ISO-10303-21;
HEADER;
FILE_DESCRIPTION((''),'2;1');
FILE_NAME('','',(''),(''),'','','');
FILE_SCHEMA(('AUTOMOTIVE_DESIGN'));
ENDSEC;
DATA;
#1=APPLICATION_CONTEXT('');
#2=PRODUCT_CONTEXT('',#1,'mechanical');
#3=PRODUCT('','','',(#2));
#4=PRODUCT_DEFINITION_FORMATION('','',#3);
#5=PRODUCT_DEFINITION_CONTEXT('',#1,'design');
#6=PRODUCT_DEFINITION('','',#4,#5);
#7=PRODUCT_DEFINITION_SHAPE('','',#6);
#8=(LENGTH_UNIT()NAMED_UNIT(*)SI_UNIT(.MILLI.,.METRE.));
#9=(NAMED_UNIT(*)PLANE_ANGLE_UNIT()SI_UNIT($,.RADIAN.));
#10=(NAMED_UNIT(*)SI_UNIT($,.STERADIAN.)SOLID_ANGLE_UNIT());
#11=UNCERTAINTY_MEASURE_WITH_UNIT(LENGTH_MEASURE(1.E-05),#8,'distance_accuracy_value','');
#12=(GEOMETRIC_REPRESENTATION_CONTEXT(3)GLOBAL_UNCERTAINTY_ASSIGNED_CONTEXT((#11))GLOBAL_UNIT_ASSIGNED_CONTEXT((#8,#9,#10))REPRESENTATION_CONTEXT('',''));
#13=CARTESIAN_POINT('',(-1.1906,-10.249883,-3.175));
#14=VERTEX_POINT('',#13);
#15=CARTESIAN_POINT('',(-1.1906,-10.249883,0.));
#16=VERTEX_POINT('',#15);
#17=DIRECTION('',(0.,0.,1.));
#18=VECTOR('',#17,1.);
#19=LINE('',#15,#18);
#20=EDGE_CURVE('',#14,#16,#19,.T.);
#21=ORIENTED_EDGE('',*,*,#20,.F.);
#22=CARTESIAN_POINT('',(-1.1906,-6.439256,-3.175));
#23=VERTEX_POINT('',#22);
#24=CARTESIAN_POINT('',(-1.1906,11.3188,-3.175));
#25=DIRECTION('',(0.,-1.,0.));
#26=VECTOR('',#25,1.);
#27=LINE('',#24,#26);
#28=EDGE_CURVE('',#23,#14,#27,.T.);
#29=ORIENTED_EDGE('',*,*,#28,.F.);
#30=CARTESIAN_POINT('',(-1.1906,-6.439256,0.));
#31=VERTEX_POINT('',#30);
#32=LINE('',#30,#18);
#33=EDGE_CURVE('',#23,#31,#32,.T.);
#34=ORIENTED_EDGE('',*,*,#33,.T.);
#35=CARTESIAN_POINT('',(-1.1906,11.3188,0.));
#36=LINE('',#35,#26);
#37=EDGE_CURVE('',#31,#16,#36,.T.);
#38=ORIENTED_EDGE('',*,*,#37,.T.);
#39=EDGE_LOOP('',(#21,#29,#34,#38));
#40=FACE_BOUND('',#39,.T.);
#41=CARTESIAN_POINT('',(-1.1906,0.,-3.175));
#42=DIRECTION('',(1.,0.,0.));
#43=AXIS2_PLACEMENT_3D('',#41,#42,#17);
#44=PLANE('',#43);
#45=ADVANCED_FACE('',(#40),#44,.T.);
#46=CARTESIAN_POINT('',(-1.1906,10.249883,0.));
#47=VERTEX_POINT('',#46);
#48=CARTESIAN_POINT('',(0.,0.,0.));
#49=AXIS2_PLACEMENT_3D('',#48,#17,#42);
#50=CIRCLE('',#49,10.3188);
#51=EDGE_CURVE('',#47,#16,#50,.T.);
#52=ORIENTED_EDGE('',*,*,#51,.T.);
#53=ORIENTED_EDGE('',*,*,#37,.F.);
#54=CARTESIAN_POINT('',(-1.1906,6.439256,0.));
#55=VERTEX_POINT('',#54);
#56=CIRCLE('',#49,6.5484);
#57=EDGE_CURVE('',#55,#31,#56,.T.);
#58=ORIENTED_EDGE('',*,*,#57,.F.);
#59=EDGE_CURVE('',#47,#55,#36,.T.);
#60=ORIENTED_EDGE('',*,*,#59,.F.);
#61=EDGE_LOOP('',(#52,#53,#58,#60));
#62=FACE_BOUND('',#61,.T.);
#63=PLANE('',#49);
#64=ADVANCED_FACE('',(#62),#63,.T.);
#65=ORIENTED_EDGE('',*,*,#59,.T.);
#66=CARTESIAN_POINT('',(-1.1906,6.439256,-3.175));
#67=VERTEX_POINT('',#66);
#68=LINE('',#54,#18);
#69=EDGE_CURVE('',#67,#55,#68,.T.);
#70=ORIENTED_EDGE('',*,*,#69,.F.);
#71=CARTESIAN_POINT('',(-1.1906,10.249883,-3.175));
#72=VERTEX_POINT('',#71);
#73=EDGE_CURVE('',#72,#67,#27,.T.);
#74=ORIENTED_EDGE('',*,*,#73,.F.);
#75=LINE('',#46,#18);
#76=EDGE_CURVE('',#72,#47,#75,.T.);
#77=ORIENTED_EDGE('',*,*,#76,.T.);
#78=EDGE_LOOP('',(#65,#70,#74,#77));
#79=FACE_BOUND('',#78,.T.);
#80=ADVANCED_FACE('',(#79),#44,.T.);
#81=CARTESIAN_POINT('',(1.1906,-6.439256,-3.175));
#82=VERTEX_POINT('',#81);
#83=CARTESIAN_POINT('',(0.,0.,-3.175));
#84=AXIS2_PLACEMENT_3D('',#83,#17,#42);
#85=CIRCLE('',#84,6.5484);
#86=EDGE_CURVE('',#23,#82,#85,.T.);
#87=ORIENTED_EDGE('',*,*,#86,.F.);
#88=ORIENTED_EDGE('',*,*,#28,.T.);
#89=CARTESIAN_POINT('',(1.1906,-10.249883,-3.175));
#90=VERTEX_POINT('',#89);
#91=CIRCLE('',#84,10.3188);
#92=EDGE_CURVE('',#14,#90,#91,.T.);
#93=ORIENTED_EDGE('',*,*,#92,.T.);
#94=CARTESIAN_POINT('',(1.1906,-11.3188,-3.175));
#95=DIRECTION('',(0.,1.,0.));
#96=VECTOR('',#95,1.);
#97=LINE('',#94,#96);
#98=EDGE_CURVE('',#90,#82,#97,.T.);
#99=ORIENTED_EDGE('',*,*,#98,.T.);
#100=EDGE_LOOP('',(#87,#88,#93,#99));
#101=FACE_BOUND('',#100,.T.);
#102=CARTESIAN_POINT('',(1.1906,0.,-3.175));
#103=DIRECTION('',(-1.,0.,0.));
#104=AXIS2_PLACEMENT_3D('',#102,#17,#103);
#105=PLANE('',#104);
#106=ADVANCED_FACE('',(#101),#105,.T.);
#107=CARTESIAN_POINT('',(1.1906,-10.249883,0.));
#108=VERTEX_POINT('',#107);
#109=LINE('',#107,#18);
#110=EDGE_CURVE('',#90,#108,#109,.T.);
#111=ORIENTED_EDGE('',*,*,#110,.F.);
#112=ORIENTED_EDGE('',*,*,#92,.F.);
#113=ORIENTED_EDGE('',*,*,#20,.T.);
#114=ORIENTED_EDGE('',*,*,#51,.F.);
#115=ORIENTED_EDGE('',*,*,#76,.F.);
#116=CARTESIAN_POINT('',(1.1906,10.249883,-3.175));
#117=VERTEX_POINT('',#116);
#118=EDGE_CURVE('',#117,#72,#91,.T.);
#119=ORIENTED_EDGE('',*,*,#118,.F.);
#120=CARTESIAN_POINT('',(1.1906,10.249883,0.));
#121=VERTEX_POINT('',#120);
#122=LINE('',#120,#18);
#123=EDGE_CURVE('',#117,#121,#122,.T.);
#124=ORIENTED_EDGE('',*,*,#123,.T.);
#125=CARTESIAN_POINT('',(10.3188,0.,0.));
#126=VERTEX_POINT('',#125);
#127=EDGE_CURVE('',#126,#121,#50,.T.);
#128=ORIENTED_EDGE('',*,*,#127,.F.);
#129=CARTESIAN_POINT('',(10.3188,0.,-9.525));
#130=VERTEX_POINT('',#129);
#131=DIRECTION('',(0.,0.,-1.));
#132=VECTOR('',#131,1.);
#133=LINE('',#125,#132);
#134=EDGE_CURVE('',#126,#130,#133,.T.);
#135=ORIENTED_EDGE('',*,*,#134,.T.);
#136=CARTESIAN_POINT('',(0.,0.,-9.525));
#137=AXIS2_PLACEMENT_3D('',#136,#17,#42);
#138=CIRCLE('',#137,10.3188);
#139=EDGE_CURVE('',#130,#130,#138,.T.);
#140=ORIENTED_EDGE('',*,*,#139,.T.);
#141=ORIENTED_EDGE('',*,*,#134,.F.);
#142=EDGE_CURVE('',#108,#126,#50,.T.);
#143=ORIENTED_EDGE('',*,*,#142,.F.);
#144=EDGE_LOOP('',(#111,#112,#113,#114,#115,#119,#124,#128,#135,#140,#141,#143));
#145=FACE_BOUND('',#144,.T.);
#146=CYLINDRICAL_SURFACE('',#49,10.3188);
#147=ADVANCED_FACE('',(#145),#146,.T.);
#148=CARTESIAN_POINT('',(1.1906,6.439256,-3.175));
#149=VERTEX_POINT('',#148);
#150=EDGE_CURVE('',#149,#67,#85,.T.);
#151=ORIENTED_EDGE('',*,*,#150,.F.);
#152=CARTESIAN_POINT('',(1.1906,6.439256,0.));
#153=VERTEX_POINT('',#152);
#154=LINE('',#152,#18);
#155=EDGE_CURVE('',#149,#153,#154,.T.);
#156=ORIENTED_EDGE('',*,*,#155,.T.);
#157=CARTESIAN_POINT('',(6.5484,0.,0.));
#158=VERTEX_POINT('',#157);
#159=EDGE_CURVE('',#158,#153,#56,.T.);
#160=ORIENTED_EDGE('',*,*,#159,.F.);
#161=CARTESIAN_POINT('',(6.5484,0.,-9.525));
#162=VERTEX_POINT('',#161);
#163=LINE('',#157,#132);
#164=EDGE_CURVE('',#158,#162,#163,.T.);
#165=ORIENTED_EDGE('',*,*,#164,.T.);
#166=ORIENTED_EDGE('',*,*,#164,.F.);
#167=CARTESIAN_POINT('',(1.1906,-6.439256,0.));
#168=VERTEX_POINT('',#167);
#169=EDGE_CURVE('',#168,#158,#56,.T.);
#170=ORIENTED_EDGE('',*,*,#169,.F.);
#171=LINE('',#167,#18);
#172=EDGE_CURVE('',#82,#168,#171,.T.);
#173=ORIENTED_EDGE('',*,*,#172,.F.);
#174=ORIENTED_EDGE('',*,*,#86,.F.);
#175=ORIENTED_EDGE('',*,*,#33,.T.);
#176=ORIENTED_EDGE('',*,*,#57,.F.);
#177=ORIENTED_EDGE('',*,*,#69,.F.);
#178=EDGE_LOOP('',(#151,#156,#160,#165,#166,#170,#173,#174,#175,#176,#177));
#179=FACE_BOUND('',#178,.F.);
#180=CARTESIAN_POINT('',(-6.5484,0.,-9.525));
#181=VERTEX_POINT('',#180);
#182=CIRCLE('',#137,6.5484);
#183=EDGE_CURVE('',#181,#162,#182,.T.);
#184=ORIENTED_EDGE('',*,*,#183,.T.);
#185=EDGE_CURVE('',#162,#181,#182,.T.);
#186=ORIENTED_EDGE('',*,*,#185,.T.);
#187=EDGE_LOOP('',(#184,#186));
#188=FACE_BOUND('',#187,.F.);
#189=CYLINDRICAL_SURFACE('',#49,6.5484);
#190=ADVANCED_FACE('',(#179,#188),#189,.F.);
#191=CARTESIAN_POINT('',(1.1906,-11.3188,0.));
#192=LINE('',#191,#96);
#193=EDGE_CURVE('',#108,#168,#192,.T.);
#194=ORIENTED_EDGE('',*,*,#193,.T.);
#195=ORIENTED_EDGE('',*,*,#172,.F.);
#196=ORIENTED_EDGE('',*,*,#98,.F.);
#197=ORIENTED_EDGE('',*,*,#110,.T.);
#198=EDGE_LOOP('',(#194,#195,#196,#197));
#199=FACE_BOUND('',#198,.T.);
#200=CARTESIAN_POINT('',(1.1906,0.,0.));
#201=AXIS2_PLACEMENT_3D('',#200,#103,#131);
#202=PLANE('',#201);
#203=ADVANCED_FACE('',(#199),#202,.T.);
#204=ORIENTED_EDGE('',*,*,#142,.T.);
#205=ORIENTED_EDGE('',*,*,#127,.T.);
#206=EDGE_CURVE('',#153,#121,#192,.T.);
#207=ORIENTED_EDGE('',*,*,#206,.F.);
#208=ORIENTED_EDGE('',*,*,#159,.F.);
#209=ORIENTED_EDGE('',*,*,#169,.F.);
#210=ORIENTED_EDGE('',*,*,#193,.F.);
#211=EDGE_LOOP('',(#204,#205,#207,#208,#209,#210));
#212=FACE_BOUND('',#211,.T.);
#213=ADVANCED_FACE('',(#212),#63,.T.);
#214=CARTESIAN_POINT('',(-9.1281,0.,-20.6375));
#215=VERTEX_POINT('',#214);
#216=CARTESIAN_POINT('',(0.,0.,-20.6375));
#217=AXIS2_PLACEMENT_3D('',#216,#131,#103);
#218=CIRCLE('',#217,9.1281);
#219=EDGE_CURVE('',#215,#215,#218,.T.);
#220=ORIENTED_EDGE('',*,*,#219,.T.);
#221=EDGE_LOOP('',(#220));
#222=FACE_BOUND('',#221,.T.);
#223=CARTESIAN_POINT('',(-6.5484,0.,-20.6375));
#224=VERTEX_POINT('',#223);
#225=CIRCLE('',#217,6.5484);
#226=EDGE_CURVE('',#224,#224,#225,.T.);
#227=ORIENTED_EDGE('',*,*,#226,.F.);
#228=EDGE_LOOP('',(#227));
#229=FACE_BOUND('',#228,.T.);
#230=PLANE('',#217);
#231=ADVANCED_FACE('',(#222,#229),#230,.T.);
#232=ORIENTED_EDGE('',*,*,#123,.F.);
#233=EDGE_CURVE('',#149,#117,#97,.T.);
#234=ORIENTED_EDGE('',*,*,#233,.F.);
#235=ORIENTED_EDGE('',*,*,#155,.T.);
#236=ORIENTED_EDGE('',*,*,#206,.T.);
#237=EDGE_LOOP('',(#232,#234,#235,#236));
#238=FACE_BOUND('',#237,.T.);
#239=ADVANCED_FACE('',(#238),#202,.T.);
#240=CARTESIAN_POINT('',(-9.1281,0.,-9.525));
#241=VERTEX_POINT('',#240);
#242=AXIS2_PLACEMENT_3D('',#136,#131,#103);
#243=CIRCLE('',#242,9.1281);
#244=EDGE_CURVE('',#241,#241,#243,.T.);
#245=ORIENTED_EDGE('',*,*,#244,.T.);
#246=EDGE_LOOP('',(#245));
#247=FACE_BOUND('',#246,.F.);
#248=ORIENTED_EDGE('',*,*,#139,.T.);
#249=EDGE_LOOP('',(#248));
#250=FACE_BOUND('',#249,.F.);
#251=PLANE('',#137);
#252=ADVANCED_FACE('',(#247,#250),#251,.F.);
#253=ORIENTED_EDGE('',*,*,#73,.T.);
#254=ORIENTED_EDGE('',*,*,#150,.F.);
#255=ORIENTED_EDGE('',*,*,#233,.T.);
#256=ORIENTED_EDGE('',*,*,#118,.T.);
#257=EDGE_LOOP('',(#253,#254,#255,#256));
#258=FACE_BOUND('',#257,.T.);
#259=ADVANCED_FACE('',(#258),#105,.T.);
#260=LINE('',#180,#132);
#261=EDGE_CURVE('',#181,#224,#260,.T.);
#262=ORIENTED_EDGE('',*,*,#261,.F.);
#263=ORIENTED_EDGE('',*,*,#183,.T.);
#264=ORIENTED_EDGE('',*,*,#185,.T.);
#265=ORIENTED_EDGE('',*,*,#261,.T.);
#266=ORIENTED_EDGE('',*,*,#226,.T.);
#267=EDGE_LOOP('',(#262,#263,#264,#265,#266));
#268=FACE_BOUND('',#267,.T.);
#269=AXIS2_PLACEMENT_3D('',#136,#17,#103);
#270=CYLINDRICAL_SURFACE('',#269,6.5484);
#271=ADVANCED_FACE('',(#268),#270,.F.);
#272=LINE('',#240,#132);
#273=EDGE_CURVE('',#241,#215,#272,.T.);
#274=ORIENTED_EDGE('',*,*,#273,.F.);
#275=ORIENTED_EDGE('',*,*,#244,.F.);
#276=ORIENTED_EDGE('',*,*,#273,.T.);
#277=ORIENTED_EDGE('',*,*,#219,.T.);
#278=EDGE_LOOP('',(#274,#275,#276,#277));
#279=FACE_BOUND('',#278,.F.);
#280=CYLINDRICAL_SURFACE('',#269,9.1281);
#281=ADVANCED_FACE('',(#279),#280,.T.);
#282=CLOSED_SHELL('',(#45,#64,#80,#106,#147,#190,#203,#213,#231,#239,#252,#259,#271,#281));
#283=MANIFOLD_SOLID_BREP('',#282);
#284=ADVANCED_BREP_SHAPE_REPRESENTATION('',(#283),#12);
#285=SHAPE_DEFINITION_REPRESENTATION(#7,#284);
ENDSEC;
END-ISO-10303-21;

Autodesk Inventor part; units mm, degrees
ref_plane "YZ Plane" through (0, 0, 0) normal (1, 0, 0) x (0, 1, 0)
ref_plane "XZ Plane" through (0, 0, 0) normal (0, 1, 0) x (-1, 0, 0)
ref_plane "XY Plane" through (0, 0, 0) normal (0, 0, 1) x (1, 0, 0)
sketch "Sketch1" plane through (0, 0, 0) normal (0, 0, 1) x (1, 0, 0)
  circle A0 centre (0, 0) radius 6.5484
  circle A1 centre (0, 0) radius 10.3188
  dimension "d0" = 20.6375
  dimension "d1" = 13.0969
extrude "Extrusion1" add sketch "Sketch1" against normal blind 9.525
sketch "Sketch2" plane through (0, 0, -9.525) normal (0, 0, -1) x (-1, 0, 0)
  circle A0 centre (0, 0) radius 6.5484 projected
  circle A1 centre (0, 0) radius 10.3188 projected
  circle A2 centre (0, 0) radius 9.1281
  dimension "d4" = 18.2563
extrude "Extrusion2" add sketch "Sketch2" along normal blind 11.1125 contours A2
sketch "Sketch3" plane through (0, 0, 0) normal (0, 1, 0) x (-1, 0, 0)
  line L0 (-10.3188, 0) -> (10.3188, 0) projected
  line L1 (-1.1906, 0) -> (-1.1906, -3.175)
  line L2 (-1.1906, -3.175) -> (1.1906, -3.175)
  line L3 (1.1906, -3.175) -> (1.1906, 0)
  point P0 (0, -3.175)
  point P1 (0, 0)
  dimension "d7" = 3.175
  dimension "d8" = 2.3813
extrude "Extrusion3" cut sketch "Sketch3" along normal through all both and the other way through all
thread "Thread1" size "13/16-20 UNEF" class "3A" standard "ANSI Unified Screw Threads" full length
properties part number "Collar" material "Steel, Mild"
